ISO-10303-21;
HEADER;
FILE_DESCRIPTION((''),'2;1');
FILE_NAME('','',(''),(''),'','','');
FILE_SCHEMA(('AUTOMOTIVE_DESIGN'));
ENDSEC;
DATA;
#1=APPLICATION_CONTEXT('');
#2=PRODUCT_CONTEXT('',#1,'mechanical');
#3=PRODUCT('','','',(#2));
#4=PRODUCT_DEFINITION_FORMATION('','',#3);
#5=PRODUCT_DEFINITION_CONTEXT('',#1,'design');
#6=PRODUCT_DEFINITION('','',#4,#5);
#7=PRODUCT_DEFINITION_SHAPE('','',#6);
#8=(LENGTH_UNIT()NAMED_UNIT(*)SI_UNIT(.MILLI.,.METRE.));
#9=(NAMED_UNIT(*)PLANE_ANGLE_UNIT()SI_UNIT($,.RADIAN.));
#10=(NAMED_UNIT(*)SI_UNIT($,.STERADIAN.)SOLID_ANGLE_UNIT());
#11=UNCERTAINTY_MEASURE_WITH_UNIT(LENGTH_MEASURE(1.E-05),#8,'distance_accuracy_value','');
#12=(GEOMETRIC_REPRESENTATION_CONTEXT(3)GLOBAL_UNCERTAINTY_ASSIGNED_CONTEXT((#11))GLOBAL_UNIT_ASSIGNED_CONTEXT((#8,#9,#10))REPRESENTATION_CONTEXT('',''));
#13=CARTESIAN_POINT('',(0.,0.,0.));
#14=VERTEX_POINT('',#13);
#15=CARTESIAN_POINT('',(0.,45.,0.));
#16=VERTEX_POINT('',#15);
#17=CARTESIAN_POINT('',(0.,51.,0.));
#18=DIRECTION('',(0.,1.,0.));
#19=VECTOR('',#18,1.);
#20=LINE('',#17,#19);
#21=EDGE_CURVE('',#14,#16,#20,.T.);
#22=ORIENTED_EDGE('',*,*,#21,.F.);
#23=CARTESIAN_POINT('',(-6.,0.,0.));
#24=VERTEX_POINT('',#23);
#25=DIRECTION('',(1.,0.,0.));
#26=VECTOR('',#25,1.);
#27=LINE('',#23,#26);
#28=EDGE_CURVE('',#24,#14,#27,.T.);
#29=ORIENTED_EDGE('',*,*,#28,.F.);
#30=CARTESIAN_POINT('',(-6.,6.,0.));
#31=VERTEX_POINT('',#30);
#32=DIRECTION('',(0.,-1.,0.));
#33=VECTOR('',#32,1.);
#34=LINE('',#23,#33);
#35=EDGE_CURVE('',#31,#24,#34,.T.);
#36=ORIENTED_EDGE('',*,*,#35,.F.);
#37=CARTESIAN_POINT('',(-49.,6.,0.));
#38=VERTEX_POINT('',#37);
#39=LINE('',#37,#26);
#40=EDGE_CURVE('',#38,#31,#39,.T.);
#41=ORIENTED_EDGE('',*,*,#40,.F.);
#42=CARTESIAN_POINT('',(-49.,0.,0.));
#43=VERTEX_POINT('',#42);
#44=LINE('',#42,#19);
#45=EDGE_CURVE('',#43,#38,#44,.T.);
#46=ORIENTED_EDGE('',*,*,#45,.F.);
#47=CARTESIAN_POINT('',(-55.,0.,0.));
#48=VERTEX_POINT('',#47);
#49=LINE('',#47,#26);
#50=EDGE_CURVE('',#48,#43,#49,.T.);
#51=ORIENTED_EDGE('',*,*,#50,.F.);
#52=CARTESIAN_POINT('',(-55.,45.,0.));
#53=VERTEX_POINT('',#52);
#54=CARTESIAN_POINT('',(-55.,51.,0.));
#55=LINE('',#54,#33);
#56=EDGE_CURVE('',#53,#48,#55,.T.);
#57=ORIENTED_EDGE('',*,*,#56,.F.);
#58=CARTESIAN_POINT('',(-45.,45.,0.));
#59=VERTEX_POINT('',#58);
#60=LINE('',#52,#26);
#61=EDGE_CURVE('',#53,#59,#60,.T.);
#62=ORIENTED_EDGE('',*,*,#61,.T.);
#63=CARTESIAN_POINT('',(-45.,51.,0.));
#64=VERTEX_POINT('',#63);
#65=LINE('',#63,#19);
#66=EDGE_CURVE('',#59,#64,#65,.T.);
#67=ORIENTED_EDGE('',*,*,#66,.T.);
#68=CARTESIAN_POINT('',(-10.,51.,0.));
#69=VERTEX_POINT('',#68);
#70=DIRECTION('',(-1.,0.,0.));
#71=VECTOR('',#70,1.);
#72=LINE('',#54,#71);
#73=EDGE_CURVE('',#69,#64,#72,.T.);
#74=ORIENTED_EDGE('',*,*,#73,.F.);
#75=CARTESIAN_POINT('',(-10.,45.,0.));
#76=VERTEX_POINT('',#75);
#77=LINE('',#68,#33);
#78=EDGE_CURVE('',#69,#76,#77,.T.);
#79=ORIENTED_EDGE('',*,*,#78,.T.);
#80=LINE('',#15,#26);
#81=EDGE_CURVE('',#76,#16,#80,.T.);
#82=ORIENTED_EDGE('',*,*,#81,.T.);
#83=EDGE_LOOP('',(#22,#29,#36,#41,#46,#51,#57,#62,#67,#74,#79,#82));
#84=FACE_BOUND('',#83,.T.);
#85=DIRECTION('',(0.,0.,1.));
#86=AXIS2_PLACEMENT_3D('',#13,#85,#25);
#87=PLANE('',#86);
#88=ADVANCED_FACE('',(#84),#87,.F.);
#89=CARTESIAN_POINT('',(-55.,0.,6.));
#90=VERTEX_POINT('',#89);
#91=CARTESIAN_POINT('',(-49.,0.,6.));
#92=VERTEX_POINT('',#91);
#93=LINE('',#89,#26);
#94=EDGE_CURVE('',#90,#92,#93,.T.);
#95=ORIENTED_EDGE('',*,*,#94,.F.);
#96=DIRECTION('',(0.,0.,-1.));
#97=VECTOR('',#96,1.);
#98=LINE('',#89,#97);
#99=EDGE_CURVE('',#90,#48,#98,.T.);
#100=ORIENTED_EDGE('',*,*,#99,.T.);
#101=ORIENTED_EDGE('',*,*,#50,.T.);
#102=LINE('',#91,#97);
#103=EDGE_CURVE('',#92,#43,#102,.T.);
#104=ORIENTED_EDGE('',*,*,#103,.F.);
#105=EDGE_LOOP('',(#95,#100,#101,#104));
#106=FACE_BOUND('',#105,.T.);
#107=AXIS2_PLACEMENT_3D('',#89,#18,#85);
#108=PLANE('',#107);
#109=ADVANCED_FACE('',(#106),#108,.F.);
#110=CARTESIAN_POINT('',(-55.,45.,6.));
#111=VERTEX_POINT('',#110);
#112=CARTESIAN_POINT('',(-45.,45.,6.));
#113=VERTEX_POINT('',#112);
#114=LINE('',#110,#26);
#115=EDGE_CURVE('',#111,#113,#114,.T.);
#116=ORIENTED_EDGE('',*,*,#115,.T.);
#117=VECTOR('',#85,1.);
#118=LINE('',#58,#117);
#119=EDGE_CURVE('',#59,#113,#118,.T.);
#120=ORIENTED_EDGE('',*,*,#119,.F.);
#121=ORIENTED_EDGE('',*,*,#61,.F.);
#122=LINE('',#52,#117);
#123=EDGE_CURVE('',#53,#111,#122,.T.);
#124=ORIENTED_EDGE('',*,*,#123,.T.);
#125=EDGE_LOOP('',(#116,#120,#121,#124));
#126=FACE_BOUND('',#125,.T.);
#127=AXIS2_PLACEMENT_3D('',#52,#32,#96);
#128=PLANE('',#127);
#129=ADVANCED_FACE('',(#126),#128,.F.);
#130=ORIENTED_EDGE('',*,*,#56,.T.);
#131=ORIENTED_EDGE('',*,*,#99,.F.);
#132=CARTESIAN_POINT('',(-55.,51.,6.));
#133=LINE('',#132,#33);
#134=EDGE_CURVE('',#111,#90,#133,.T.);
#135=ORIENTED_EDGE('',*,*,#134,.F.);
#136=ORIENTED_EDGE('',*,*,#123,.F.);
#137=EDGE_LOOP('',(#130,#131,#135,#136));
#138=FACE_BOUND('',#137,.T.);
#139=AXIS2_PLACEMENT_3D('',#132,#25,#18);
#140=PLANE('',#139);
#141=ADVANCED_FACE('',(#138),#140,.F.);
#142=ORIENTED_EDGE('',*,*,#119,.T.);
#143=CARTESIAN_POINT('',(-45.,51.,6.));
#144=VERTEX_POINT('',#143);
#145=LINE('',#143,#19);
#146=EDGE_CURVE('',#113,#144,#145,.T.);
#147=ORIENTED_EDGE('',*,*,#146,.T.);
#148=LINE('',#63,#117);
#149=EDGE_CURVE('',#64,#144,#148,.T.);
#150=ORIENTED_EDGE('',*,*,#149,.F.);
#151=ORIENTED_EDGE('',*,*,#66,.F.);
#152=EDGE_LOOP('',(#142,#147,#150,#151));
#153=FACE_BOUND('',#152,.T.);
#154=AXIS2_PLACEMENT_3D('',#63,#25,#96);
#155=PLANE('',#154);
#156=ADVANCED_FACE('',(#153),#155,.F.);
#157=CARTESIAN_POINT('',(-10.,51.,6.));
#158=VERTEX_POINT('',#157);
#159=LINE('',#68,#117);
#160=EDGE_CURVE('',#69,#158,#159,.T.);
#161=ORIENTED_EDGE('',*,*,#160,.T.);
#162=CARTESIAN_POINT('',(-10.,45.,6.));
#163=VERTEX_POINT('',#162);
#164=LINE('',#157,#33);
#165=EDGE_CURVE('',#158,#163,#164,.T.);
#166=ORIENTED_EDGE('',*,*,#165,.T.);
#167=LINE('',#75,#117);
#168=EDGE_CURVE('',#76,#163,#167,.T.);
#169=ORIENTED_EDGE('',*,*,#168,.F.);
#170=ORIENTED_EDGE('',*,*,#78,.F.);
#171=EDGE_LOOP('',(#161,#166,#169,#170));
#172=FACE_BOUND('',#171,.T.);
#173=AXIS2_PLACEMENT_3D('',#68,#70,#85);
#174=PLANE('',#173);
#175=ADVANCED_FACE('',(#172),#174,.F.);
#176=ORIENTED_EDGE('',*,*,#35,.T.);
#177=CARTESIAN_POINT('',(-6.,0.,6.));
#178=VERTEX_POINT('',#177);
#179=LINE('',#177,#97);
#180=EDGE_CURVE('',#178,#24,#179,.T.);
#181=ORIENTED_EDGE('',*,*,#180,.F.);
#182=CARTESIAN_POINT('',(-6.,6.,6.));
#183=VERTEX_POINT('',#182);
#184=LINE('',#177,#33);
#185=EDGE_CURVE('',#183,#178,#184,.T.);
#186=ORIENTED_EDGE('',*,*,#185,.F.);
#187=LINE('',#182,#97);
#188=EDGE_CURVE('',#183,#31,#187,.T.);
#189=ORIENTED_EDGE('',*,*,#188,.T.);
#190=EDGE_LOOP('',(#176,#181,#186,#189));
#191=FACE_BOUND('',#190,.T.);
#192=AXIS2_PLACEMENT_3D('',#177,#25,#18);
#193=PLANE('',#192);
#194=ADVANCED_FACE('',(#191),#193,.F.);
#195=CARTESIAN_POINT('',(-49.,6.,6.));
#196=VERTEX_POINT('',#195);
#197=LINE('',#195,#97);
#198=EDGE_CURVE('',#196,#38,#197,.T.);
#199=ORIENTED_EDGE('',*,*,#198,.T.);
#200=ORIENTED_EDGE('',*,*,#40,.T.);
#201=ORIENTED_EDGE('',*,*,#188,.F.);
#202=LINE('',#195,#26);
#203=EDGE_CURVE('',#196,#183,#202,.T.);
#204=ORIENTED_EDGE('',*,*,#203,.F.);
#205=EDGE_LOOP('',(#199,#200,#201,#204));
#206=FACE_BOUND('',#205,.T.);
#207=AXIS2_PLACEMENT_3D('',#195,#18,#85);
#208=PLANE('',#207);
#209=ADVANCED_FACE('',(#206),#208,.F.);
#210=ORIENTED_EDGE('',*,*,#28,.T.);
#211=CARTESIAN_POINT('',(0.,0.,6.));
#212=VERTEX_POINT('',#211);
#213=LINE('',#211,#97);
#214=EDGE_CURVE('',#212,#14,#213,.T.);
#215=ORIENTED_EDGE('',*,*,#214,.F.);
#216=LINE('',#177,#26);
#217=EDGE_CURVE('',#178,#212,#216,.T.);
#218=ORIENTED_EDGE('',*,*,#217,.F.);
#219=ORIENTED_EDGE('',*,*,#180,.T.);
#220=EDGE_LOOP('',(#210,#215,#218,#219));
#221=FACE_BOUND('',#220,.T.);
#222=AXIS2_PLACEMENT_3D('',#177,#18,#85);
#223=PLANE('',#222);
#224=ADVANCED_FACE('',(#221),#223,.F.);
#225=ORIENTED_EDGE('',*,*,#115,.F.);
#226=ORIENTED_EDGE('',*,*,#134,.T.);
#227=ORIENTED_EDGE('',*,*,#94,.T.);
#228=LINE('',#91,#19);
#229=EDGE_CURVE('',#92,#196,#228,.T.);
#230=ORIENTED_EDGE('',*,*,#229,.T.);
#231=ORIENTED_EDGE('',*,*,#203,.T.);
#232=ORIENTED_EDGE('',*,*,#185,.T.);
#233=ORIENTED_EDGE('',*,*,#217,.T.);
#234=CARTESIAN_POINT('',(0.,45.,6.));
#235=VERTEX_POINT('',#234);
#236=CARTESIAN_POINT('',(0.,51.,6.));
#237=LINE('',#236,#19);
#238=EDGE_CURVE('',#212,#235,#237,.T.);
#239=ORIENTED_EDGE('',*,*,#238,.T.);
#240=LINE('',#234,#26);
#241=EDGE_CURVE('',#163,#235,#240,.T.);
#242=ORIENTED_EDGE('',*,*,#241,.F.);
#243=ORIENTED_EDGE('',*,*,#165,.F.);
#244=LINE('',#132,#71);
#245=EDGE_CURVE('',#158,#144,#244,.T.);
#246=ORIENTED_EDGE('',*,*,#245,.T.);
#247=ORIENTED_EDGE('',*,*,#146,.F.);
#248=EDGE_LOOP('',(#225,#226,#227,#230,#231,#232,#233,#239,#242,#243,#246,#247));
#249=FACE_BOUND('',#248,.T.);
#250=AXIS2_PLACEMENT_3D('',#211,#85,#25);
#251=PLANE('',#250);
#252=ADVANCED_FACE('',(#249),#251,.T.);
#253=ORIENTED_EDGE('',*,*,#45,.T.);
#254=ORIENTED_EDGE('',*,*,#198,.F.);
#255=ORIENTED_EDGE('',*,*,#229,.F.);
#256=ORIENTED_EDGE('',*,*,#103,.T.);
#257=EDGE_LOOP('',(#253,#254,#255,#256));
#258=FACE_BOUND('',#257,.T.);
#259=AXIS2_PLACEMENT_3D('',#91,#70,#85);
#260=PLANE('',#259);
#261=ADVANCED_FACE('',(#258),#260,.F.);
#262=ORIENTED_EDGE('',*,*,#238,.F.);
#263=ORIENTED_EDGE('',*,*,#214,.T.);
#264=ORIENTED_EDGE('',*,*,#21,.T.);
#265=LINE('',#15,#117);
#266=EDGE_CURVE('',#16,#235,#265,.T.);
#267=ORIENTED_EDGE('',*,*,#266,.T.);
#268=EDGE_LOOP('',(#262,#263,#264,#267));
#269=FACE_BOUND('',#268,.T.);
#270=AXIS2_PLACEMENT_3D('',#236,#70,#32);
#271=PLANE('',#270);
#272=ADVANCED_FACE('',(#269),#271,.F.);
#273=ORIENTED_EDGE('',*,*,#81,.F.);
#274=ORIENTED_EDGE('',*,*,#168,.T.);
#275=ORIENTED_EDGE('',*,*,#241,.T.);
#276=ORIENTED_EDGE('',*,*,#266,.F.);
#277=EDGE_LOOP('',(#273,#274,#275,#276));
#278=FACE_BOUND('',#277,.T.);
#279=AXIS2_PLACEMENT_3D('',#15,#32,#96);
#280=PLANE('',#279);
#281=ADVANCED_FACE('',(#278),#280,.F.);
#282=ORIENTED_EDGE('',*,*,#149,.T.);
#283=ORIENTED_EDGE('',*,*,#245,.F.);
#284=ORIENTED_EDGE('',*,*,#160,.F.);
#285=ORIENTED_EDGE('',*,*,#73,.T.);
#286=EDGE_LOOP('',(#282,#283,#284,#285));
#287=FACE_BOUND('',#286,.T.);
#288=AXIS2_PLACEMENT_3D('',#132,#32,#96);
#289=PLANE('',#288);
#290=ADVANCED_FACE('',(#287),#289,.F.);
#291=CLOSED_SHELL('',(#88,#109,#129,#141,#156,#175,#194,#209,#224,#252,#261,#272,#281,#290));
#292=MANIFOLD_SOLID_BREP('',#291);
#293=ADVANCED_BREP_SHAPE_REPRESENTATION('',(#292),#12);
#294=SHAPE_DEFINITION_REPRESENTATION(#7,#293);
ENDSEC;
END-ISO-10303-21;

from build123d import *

# Parameters (mm, degrees)
BOSS_EXTRUDE1_DEPTH = 6
SKETCH2_W           = 10
SKETCH2_H           = 6
CUT_EXTRUDE1_DEPTH  = 6


with BuildPart() as part:
    # Sketch1 → Boss-Extrude1 (new body)
    with BuildSketch(Plane.XY):
        Polygon((-6, 0), (0, 0), (0, 51), (-55, 51), (-55, 0), (-49, 0), (-49, 6), (-6, 6), align=None)
    extrude(amount=BOSS_EXTRUDE1_DEPTH)

    # Sketch2 → Cut-Extrude1 (cut)
    with BuildSketch(Plane.XY.offset(6)):
        with Locations((-50, 48)):
            Rectangle(SKETCH2_W, SKETCH2_H)
        with Locations((-5, 48)):
            Rectangle(SKETCH2_W, SKETCH2_H)
    extrude(amount=-CUT_EXTRUDE1_DEPTH, mode=Mode.SUBTRACT)


solid = part.part
